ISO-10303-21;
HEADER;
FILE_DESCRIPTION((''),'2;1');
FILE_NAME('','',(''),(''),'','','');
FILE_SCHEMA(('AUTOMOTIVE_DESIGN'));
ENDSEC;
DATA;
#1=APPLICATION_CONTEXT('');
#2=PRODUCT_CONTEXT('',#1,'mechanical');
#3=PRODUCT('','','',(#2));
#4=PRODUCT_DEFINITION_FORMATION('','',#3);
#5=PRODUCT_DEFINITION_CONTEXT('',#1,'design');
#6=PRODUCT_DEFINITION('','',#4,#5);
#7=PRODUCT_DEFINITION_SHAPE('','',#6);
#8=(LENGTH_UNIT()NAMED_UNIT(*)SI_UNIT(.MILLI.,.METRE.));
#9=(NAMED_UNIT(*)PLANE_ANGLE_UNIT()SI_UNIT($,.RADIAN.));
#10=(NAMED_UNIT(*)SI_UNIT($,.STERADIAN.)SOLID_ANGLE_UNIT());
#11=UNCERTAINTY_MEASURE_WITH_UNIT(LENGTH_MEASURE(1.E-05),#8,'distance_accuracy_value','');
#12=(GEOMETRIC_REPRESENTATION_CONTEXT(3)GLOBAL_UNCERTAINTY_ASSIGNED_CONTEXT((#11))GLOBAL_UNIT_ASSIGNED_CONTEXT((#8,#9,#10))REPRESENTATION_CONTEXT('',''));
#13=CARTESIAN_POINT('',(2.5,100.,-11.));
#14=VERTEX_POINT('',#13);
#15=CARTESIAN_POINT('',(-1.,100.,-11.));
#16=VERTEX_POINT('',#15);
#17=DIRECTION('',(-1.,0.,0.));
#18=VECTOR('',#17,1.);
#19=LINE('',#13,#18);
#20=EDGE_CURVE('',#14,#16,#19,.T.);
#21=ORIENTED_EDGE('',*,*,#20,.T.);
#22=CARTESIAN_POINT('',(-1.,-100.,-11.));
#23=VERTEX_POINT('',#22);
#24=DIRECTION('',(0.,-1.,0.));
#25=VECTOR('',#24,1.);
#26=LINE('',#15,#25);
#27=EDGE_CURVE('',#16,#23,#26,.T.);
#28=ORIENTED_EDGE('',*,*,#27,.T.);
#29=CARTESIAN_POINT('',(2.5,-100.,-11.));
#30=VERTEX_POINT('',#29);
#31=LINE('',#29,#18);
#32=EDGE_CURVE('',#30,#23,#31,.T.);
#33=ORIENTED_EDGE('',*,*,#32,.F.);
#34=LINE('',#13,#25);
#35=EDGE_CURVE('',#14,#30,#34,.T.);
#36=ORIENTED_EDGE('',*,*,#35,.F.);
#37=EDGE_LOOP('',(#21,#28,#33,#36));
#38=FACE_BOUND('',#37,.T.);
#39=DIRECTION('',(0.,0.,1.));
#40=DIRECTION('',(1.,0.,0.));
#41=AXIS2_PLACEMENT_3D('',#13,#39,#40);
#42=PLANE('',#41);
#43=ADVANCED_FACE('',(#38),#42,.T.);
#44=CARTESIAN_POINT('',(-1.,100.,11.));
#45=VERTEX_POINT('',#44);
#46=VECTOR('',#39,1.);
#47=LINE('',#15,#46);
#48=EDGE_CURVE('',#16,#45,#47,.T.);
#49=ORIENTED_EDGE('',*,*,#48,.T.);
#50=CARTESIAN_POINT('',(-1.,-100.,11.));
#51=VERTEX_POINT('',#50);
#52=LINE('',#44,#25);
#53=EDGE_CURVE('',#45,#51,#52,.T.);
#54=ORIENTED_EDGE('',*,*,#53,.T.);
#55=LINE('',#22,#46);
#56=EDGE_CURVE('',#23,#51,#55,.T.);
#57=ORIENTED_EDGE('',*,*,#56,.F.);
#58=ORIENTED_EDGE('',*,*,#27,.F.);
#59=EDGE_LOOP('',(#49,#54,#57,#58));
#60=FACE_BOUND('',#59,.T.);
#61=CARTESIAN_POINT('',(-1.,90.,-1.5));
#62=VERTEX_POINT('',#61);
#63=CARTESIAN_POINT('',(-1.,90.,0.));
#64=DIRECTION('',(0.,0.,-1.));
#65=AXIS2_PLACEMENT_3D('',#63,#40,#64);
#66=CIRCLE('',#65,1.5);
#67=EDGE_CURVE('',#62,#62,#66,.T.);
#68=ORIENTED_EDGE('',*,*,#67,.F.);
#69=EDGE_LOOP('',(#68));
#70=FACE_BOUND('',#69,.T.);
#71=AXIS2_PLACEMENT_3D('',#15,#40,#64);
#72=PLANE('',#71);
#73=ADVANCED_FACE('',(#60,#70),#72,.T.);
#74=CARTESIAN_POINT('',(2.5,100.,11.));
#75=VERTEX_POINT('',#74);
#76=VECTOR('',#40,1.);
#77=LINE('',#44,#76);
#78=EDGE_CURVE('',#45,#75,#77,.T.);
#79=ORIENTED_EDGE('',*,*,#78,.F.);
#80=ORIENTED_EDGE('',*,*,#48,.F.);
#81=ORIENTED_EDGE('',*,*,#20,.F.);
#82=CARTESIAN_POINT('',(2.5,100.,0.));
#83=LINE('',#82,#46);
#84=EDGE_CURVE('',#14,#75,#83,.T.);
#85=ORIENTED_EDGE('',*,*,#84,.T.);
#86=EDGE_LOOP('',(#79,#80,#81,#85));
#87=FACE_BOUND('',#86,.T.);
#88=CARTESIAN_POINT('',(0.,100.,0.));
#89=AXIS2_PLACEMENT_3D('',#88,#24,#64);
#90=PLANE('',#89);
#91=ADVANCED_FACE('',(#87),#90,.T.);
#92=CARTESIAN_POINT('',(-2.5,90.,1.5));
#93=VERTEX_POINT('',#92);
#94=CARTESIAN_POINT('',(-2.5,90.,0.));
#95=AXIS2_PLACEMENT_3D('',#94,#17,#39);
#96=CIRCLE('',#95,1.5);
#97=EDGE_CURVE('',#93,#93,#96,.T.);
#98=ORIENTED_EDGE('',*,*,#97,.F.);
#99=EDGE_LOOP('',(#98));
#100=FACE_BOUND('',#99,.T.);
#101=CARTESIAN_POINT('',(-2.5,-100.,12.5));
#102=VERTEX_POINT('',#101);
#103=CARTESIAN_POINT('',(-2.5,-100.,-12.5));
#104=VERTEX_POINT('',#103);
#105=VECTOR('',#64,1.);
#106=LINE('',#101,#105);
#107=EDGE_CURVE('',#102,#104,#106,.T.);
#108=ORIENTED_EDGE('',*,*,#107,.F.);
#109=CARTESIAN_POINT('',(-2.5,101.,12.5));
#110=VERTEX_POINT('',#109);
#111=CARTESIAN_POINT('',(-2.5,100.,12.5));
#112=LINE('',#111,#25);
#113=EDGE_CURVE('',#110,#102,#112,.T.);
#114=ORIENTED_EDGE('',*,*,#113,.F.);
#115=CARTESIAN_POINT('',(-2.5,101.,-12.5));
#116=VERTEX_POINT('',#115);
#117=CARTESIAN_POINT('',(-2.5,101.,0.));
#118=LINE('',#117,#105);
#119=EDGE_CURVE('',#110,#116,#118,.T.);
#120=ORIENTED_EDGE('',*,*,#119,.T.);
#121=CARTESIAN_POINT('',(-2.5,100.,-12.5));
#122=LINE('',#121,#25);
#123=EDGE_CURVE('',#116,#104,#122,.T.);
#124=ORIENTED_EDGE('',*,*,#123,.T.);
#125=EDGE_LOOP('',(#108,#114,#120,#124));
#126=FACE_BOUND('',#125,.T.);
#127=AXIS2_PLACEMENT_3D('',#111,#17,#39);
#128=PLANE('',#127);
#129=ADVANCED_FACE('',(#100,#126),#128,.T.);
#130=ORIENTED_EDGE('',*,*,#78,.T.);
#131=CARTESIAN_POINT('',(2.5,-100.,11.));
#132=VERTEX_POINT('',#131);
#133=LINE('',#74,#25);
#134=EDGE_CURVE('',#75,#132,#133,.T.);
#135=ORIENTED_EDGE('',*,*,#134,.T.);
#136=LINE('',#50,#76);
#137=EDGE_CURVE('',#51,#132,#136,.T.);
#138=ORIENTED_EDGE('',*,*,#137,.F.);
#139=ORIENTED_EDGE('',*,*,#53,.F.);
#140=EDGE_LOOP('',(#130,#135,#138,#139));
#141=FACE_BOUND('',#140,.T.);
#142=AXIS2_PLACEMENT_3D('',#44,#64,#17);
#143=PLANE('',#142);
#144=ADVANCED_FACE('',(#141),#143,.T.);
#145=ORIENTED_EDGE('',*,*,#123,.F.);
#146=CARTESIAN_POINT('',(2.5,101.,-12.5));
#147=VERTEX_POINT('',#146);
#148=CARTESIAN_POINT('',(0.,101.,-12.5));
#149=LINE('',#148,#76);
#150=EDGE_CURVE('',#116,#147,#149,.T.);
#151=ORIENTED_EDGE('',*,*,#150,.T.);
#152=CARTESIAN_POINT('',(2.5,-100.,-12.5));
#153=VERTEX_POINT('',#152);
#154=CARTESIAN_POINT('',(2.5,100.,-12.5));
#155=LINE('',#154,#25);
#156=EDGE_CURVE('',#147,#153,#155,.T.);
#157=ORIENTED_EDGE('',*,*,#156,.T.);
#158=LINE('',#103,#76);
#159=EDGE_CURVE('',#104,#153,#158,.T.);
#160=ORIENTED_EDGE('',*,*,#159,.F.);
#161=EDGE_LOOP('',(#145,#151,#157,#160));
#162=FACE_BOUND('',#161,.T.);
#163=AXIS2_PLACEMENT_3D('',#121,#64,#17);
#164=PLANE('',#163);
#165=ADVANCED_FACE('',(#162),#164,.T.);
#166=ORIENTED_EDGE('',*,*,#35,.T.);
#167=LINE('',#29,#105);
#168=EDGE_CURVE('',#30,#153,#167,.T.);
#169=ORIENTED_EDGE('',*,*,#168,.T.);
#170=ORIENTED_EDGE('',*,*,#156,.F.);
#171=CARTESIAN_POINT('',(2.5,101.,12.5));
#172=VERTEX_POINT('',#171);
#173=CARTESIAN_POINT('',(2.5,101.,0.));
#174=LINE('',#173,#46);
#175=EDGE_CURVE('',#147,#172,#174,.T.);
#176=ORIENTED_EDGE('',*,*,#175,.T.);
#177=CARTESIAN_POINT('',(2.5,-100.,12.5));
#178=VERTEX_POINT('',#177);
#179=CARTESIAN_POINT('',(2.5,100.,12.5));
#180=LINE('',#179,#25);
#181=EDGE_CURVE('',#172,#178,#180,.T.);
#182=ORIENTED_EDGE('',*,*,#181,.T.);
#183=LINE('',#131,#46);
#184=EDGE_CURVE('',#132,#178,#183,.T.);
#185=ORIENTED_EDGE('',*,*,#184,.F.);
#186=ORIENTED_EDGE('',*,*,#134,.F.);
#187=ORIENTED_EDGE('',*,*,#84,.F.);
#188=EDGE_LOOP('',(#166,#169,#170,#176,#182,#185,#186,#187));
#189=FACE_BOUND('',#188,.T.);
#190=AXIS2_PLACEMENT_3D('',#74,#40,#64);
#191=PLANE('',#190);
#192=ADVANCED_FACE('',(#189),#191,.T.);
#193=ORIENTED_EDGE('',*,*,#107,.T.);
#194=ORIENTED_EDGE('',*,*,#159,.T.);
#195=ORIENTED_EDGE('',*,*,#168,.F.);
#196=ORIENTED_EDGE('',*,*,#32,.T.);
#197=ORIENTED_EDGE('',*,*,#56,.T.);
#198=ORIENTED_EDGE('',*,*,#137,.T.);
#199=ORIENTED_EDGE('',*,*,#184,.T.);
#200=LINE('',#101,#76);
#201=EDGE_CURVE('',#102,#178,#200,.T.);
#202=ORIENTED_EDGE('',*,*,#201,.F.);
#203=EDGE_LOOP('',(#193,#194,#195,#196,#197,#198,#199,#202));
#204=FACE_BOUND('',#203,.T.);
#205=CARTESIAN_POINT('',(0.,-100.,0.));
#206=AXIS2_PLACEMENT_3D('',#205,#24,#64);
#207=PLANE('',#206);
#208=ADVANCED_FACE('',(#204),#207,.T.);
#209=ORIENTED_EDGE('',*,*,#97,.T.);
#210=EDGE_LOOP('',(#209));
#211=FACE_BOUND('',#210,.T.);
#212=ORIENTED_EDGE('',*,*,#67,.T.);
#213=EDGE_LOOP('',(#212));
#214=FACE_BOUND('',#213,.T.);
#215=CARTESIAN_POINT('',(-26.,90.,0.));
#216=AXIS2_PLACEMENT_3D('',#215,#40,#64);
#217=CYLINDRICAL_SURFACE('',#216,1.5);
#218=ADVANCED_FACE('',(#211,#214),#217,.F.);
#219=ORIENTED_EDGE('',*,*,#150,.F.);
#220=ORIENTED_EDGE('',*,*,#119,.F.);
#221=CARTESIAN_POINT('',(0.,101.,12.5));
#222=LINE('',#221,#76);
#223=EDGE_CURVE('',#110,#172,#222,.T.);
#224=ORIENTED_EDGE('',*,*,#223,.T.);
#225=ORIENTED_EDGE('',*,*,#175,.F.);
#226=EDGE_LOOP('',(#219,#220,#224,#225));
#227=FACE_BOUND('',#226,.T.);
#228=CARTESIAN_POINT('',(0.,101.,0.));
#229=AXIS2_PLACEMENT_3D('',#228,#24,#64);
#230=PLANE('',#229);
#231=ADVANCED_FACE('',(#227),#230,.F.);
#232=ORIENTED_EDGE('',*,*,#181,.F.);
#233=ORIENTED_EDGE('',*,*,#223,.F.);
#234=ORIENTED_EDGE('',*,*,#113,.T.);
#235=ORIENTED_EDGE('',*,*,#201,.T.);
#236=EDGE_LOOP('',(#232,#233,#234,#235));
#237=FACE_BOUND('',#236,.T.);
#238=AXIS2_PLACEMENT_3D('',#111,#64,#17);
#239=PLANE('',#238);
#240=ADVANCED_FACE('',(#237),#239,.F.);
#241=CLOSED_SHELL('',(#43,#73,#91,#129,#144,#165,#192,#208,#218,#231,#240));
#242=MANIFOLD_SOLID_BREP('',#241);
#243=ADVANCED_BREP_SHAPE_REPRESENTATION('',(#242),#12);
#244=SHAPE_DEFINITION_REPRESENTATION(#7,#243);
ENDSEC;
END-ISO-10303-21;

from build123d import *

# Parameters (mm, degrees)
BOSS_EXTRUDE1_DEPTH = 100
BOSS_EXTRUDE2_START = 100
SKETCH1_3_W         = 3.5
SKETCH1_3_H         = 22
BOSS_EXTRUDE2_DEPTH = 1
SKETCH2_R           = 1.5
CUT_EXTRUDE1_DEPTH  = 25


with BuildPart() as part:
    # Sketch1 → Boss-Extrude1 (new, symmetric)
    with BuildSketch(Plane(origin=(0, 0, 0), x_dir=(1, 0, 0), z_dir=(0, 1, 0))):
        Polygon((-2.5, -12.5), (-2.5, 12.5), (2.5, 12.5), (2.5, 11), (-1, 11), (-1, -11), (2.5, -11), (2.5, -12.5), align=None)
    extrude(amount=BOSS_EXTRUDE1_DEPTH, both=True)

    # Sketch1<3> → Boss-Extrude2 (add)
    with BuildSketch(Plane(origin=(0, 0, 0), x_dir=(1, 0, 0), z_dir=(0, 1, 0)).offset(BOSS_EXTRUDE2_START)):
        with Locations((0.75, 0)):
            Rectangle(SKETCH1_3_W, SKETCH1_3_H)
        Polygon((2.5, 11), (-1, 11), (-1, -11), (2.5, -11), (2.5, -12.5), (-2.5, -12.5), (-2.5, 12.5), (2.5, 12.5), align=None)
    extrude(amount=BOSS_EXTRUDE2_DEPTH)

    # Sketch2 → Cut-Extrude1 (cut)
    with BuildSketch(Plane(origin=(-1, 0, 0), x_dir=(0, 0, -1), z_dir=(1, 0, 0))):
        with Locations((0, 90)):
            Circle(SKETCH2_R)
    extrude(amount=-CUT_EXTRUDE1_DEPTH, mode=Mode.SUBTRACT)


solid = part.part
